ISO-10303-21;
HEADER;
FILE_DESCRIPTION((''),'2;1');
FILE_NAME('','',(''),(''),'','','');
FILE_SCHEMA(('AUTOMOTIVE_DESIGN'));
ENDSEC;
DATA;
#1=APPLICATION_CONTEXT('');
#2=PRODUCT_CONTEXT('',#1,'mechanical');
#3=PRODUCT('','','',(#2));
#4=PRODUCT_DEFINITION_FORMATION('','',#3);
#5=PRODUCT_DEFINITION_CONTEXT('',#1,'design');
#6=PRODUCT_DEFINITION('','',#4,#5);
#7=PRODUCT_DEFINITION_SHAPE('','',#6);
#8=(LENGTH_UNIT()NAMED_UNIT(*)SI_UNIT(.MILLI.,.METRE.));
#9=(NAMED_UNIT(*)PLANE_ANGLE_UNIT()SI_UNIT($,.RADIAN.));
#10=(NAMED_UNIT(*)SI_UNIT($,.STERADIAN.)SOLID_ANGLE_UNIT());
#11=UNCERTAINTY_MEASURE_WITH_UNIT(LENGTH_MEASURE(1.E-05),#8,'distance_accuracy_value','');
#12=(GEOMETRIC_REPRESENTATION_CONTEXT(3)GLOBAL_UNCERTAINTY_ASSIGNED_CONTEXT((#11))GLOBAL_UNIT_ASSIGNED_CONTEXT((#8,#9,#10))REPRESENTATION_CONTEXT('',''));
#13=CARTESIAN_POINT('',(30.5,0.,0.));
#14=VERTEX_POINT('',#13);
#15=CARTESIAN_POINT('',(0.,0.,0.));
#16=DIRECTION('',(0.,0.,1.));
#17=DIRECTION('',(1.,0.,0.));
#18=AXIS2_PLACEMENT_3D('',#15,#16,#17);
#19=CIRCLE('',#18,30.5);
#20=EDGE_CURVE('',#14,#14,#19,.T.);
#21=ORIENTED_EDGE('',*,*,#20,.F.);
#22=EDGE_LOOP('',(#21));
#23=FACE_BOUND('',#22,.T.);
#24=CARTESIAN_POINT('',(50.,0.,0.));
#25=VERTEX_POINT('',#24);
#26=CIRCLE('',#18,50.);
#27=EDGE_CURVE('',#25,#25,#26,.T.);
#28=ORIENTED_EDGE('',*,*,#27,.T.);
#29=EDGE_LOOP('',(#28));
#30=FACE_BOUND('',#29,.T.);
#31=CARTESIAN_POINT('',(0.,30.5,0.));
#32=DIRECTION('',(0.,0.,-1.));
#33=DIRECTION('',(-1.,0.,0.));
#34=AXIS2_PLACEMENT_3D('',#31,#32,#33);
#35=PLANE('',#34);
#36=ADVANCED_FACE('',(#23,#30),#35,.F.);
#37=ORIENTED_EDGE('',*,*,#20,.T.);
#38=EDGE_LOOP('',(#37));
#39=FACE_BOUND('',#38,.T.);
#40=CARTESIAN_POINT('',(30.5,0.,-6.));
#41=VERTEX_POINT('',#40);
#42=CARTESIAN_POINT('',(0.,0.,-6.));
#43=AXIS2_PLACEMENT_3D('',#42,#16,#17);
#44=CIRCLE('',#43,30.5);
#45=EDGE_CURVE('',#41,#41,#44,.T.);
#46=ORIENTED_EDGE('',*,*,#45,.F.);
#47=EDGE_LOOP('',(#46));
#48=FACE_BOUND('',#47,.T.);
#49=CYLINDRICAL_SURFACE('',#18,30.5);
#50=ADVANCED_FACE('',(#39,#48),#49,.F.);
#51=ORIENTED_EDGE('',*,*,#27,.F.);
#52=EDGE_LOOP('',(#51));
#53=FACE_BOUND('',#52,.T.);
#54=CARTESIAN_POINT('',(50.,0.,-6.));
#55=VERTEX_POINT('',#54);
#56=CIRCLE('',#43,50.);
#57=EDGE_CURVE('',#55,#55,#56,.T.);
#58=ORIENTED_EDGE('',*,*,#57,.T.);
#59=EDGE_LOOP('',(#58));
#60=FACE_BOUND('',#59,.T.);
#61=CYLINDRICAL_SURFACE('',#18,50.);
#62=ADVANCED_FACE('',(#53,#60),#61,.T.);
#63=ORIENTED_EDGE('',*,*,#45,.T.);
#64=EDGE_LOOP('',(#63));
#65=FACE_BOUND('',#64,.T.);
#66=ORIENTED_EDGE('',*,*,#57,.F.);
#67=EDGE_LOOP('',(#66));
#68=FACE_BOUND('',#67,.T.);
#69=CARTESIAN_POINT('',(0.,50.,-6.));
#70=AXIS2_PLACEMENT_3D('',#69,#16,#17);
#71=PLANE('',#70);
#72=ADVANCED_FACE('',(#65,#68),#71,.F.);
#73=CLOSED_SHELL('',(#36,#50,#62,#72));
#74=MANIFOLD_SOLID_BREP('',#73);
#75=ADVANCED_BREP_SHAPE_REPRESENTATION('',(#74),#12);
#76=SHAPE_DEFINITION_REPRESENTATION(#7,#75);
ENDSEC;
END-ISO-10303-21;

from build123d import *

# Parameters (mm, degrees)
SKETCH1_W = 6
SKETCH1_H = 19.5


with BuildPart() as part:
    # Sketch1 → Revolve1 (revolve)
    with BuildSketch(Plane(origin=(0, 0, 0), x_dir=(0, 0, -1), z_dir=(1, 0, 0)), mode=Mode.PRIVATE) as revolve1_sk:
        with Locations((3, 40.25)):
            Rectangle(SKETCH1_W, SKETCH1_H)
    revolve(revolve1_sk.sketch.rotate(Axis((0, 0, 0), (0, 0, -1)), 90), axis=Axis((0, 0, 0), (0, 0, -1)))


solid = part.part
